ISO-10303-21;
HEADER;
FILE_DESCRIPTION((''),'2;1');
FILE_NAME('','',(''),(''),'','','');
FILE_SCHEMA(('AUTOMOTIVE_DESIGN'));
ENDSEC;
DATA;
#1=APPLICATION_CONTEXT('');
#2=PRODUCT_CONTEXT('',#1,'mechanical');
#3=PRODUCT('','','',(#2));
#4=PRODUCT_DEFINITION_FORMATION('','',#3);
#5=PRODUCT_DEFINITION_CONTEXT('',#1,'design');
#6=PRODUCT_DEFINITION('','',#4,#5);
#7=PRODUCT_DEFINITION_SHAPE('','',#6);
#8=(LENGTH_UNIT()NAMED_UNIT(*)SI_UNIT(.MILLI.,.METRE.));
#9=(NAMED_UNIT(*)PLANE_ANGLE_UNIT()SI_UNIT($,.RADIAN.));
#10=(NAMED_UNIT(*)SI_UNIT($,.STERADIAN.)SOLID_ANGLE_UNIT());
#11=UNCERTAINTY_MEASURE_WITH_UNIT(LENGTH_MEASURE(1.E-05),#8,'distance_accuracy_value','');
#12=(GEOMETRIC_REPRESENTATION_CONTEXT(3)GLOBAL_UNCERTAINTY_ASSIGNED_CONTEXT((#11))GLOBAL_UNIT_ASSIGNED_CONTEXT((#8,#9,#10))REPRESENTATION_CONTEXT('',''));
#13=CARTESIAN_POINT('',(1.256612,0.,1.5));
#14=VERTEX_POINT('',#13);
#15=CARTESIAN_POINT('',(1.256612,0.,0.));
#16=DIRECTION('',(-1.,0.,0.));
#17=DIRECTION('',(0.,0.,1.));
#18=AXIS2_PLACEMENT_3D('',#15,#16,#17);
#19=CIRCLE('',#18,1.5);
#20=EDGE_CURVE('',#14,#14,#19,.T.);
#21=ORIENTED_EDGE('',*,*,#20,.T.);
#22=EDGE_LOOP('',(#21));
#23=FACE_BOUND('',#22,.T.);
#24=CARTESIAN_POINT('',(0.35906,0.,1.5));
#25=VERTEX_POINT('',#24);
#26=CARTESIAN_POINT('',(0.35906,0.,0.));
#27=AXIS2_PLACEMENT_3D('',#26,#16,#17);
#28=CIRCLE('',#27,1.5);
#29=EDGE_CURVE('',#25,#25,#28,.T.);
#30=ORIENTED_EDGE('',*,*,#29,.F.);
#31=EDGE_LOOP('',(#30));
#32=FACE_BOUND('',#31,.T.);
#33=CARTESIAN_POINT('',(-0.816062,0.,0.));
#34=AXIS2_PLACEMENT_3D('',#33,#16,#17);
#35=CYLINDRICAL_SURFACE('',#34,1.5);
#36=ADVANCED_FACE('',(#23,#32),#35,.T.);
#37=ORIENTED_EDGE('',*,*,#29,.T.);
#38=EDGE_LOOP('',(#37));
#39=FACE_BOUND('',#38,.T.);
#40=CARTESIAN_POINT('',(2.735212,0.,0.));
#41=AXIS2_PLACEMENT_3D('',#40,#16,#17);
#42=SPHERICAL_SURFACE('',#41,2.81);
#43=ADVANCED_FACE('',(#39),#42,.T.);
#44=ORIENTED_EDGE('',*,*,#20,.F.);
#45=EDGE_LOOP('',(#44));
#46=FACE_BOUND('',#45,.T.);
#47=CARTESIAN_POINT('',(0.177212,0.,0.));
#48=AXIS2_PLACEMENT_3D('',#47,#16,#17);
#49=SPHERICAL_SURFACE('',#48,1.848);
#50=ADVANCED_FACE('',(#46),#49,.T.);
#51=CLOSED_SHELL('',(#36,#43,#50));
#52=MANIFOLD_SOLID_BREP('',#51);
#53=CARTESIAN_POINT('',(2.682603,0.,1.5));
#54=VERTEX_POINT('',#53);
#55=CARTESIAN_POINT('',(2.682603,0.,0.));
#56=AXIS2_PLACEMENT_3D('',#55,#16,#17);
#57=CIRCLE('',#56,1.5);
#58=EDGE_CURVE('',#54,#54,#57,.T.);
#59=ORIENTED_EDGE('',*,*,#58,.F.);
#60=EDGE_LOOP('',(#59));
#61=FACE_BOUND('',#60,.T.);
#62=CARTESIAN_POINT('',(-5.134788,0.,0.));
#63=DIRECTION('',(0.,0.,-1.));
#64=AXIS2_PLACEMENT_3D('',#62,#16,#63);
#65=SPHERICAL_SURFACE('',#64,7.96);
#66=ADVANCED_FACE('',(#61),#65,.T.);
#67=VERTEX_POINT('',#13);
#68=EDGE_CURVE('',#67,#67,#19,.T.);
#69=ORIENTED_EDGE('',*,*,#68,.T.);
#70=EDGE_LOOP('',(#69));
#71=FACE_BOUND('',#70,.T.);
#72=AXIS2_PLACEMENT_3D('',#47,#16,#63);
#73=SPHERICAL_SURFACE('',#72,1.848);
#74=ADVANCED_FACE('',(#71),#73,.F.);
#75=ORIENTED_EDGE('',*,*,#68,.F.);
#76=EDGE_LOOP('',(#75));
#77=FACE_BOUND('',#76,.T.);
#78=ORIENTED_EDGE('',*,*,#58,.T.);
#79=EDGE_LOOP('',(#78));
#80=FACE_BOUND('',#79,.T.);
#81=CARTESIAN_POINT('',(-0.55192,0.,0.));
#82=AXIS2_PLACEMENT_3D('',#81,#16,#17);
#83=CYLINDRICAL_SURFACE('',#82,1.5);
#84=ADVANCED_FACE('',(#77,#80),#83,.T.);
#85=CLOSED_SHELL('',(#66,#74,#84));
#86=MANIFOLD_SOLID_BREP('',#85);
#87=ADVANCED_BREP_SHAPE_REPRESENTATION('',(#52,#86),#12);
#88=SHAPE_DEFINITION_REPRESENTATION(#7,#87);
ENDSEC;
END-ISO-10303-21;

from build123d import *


with BuildPart() as part:
    # 草图1 one side → 旋转1 (revolve)
    with BuildSketch(Plane(origin=(0, 0, 0), x_dir=(1, 0, 0), z_dir=(0, 1, 0)), mode=Mode.PRIVATE) as revolve_1_sk:
        with BuildLine():
            ThreePointArc((0.359060083, 1.5), (0.035852501, 0.780740639), (-0.074787565, 0))
            Line((-0.074787565, 0), (2.025212435, 0))
            ThreePointArc((2.025212435, 0), (1.821875758, 0.84272567), (1.256612268, 1.5))
            Line((1.256612268, 1.5), (0.359060083, 1.5))
        make_face()
    revolve(revolve_1_sk.sketch.rotate(Axis((-0.816062176, 0, 0), (1, 0, 0)), 180), axis=Axis((-0.816062176, 0, 0), (1, 0, 0)))  # turned: the seam where the file's is


with BuildPart() as body_2:
    # 草图2 one side → 旋转2 (revolve)
    with BuildSketch(Plane(origin=(0, 0, 0), x_dir=(1, 0, 0), z_dir=(0, 1, 0)), mode=Mode.PRIVATE) as revolve_2_sk:
        with BuildLine():
            Line((2.682603304, 1.5), (1.256612268, 1.5))
            ThreePointArc((1.256612268, 1.5), (1.821875758, 0.84272567), (2.025212435, 0))
            Line((2.025212435, 0), (2.825212435, 0))
            ThreePointArc((2.825212435, 0), (2.789479951, 0.753381936), (2.682603304, 1.5))
        make_face()
    revolve(revolve_2_sk.sketch.rotate(Axis((-0.551919993, 0, 0), (1, 0, 0)), 180), axis=Axis((-0.551919993, 0, 0), (1, 0, 0)))  # turned: the seam where the file's is


solid = Compound([part.part, body_2.part])
